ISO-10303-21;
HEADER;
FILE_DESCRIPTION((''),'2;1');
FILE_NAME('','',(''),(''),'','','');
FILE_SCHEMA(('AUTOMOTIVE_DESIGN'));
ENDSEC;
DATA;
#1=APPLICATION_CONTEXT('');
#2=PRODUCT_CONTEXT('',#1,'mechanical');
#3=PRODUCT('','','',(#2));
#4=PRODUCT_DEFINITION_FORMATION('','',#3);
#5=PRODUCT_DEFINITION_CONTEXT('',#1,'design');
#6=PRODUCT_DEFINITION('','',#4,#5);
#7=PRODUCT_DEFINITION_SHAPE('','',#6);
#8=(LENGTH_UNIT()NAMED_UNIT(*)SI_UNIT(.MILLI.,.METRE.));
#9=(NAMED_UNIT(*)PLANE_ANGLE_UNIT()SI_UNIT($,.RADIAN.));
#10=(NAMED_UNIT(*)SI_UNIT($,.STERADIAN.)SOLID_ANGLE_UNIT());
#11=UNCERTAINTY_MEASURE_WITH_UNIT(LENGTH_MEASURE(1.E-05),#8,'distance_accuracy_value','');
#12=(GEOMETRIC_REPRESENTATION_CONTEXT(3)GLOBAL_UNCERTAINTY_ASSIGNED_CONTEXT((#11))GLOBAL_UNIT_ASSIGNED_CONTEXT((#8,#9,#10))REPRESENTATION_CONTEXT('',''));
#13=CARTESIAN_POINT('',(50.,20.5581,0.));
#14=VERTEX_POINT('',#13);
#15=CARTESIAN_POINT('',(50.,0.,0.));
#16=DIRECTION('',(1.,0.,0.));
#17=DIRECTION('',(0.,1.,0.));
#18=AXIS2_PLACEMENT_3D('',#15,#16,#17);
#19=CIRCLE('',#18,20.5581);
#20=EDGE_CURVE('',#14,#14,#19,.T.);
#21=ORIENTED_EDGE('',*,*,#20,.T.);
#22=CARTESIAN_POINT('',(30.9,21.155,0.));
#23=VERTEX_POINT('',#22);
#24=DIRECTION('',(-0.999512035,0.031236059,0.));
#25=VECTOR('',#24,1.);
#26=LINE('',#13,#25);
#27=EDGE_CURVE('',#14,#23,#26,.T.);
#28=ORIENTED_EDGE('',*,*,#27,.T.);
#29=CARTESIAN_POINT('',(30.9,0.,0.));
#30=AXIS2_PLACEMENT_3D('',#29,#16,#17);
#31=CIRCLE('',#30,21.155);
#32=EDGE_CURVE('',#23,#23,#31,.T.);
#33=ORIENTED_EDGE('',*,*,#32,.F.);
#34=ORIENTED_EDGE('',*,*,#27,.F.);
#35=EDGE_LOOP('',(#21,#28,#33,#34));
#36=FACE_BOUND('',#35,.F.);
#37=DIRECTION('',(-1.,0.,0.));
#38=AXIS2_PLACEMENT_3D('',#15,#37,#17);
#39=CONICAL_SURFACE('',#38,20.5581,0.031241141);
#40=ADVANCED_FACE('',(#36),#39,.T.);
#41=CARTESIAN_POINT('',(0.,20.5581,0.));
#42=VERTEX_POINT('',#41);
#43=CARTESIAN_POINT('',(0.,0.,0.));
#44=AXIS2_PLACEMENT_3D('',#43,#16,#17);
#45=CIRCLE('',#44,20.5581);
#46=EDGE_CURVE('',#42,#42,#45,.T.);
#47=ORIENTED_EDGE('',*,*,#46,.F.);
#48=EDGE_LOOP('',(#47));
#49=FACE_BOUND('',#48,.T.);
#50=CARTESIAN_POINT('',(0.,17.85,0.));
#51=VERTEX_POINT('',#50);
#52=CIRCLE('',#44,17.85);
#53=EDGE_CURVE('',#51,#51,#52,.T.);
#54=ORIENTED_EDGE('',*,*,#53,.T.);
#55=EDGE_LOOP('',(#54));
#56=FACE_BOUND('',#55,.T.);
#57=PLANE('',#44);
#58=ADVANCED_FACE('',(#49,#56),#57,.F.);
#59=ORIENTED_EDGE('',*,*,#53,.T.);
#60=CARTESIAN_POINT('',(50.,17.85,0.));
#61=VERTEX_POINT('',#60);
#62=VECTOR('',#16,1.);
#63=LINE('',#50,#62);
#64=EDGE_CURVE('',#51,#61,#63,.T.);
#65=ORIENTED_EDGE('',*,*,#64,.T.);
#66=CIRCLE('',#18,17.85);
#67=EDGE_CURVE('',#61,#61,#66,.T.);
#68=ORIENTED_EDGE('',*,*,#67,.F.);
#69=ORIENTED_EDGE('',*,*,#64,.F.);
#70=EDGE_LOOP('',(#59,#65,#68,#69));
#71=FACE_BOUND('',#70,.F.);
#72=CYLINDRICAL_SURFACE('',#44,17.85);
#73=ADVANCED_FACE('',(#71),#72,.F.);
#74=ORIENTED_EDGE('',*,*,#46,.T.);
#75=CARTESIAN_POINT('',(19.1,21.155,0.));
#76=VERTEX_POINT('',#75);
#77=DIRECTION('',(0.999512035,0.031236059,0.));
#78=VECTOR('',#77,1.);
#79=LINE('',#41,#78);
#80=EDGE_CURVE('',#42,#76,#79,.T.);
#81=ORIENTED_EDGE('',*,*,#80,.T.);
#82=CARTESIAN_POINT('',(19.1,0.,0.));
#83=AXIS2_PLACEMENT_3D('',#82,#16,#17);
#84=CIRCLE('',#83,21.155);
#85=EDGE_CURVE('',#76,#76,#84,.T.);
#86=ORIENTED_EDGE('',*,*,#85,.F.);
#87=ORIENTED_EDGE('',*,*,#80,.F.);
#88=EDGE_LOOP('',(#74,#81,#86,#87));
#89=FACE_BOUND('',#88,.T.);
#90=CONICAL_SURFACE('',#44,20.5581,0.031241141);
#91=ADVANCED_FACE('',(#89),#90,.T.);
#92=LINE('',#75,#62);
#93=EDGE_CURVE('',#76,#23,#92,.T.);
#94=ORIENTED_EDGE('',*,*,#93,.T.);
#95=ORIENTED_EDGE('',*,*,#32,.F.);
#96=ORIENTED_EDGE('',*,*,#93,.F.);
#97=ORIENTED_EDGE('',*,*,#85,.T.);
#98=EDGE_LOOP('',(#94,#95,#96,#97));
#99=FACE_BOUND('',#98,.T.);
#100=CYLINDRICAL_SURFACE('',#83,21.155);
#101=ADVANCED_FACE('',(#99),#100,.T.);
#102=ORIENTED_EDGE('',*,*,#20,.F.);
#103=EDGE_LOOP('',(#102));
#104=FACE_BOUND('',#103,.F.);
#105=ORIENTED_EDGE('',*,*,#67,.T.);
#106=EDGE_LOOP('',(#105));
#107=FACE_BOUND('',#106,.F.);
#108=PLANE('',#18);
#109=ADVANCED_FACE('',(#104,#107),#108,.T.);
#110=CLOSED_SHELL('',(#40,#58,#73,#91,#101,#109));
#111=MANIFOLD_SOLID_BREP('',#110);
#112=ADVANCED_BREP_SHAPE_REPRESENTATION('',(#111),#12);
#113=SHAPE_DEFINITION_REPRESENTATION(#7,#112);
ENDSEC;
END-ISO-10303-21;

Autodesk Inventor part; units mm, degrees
ref_plane "YZ Plane" through (0, 0, 0) normal (1, 0, 0) x (0, 1, 0)
ref_plane "XZ Plane" through (0, 0, 0) normal (0, 1, 0) x (-1, 0, 0)
ref_plane "XY Plane" through (0, 0, 0) normal (0, 0, 1) x (1, 0, 0)
sketch "Sketch1" plane through (0, 0, 0) normal (0, 0, 1) x (1, 0, 0)
  line L0 (0, 0) -> (50, 0)
  line L1 (50, 17.85) -> (50, 20.5581)
  line L2 (50, 17.85) -> (50, 0) construction
  line L3 (0, 17.85) -> (0, 20.5581)
  line L4 (0, 17.85) -> (0, 0) construction
  line L5 (0, 17.85) -> (50, 17.85)
  line L6 (0, 20.5581) -> (19.1, 21.155)
  line L7 (25, 21.155) -> (25, 0) construction
  line L8 (12.7, 20.955) -> (12.7, 0) construction
  line L9 (50, 20.5581) -> (30.9, 21.155)
  line L10 (19.1, 21.155) -> (30.9, 21.155)
  line L11 (19.1, 21.155) -> (19.1, 0) construction
  line L12 (30.9, 21.155) -> (30.9, 0) construction
  dimension "d1" = 1.79
  dimension "d2" = 50
  dimension "d7" = 12.7
  dimension "d8" = 41.91
  dimension "d57" = 35.7
  dimension "d60" = 19.1
  dimension "d62" = 0
revolve "Revolution1" add sketch "Sketch1" angle 360 about axis through (0, 0, 0) along (1, 0, 0)
thread "Thread1" size "R 1 1/4" standard "JIS Taper" length 22.5
thread "Thread2" size "R 1 1/4" standard "JIS Taper" length 22.5
equation "\"d2\" = L"
equation "\"d7\" = a"
equation "\"d8\" = MjD"
equation "\"d57\" = d"
equation "\"d60\" = ll"
equation "\"d3\" = 0.45 * L"
equation "\"d5\" = 0.45 * L"
equation "\"MjD\" = 41.91"
equation "\"d\" = 35.7"
equation "\"a\" = 12.7"
equation "\"ll\" = 19.1"
equation "\"Size_Designation\" = 1.25"
properties part number "JIS B 2302 Barrel Nipple 1 1/4" material "Steel, Carbon"
